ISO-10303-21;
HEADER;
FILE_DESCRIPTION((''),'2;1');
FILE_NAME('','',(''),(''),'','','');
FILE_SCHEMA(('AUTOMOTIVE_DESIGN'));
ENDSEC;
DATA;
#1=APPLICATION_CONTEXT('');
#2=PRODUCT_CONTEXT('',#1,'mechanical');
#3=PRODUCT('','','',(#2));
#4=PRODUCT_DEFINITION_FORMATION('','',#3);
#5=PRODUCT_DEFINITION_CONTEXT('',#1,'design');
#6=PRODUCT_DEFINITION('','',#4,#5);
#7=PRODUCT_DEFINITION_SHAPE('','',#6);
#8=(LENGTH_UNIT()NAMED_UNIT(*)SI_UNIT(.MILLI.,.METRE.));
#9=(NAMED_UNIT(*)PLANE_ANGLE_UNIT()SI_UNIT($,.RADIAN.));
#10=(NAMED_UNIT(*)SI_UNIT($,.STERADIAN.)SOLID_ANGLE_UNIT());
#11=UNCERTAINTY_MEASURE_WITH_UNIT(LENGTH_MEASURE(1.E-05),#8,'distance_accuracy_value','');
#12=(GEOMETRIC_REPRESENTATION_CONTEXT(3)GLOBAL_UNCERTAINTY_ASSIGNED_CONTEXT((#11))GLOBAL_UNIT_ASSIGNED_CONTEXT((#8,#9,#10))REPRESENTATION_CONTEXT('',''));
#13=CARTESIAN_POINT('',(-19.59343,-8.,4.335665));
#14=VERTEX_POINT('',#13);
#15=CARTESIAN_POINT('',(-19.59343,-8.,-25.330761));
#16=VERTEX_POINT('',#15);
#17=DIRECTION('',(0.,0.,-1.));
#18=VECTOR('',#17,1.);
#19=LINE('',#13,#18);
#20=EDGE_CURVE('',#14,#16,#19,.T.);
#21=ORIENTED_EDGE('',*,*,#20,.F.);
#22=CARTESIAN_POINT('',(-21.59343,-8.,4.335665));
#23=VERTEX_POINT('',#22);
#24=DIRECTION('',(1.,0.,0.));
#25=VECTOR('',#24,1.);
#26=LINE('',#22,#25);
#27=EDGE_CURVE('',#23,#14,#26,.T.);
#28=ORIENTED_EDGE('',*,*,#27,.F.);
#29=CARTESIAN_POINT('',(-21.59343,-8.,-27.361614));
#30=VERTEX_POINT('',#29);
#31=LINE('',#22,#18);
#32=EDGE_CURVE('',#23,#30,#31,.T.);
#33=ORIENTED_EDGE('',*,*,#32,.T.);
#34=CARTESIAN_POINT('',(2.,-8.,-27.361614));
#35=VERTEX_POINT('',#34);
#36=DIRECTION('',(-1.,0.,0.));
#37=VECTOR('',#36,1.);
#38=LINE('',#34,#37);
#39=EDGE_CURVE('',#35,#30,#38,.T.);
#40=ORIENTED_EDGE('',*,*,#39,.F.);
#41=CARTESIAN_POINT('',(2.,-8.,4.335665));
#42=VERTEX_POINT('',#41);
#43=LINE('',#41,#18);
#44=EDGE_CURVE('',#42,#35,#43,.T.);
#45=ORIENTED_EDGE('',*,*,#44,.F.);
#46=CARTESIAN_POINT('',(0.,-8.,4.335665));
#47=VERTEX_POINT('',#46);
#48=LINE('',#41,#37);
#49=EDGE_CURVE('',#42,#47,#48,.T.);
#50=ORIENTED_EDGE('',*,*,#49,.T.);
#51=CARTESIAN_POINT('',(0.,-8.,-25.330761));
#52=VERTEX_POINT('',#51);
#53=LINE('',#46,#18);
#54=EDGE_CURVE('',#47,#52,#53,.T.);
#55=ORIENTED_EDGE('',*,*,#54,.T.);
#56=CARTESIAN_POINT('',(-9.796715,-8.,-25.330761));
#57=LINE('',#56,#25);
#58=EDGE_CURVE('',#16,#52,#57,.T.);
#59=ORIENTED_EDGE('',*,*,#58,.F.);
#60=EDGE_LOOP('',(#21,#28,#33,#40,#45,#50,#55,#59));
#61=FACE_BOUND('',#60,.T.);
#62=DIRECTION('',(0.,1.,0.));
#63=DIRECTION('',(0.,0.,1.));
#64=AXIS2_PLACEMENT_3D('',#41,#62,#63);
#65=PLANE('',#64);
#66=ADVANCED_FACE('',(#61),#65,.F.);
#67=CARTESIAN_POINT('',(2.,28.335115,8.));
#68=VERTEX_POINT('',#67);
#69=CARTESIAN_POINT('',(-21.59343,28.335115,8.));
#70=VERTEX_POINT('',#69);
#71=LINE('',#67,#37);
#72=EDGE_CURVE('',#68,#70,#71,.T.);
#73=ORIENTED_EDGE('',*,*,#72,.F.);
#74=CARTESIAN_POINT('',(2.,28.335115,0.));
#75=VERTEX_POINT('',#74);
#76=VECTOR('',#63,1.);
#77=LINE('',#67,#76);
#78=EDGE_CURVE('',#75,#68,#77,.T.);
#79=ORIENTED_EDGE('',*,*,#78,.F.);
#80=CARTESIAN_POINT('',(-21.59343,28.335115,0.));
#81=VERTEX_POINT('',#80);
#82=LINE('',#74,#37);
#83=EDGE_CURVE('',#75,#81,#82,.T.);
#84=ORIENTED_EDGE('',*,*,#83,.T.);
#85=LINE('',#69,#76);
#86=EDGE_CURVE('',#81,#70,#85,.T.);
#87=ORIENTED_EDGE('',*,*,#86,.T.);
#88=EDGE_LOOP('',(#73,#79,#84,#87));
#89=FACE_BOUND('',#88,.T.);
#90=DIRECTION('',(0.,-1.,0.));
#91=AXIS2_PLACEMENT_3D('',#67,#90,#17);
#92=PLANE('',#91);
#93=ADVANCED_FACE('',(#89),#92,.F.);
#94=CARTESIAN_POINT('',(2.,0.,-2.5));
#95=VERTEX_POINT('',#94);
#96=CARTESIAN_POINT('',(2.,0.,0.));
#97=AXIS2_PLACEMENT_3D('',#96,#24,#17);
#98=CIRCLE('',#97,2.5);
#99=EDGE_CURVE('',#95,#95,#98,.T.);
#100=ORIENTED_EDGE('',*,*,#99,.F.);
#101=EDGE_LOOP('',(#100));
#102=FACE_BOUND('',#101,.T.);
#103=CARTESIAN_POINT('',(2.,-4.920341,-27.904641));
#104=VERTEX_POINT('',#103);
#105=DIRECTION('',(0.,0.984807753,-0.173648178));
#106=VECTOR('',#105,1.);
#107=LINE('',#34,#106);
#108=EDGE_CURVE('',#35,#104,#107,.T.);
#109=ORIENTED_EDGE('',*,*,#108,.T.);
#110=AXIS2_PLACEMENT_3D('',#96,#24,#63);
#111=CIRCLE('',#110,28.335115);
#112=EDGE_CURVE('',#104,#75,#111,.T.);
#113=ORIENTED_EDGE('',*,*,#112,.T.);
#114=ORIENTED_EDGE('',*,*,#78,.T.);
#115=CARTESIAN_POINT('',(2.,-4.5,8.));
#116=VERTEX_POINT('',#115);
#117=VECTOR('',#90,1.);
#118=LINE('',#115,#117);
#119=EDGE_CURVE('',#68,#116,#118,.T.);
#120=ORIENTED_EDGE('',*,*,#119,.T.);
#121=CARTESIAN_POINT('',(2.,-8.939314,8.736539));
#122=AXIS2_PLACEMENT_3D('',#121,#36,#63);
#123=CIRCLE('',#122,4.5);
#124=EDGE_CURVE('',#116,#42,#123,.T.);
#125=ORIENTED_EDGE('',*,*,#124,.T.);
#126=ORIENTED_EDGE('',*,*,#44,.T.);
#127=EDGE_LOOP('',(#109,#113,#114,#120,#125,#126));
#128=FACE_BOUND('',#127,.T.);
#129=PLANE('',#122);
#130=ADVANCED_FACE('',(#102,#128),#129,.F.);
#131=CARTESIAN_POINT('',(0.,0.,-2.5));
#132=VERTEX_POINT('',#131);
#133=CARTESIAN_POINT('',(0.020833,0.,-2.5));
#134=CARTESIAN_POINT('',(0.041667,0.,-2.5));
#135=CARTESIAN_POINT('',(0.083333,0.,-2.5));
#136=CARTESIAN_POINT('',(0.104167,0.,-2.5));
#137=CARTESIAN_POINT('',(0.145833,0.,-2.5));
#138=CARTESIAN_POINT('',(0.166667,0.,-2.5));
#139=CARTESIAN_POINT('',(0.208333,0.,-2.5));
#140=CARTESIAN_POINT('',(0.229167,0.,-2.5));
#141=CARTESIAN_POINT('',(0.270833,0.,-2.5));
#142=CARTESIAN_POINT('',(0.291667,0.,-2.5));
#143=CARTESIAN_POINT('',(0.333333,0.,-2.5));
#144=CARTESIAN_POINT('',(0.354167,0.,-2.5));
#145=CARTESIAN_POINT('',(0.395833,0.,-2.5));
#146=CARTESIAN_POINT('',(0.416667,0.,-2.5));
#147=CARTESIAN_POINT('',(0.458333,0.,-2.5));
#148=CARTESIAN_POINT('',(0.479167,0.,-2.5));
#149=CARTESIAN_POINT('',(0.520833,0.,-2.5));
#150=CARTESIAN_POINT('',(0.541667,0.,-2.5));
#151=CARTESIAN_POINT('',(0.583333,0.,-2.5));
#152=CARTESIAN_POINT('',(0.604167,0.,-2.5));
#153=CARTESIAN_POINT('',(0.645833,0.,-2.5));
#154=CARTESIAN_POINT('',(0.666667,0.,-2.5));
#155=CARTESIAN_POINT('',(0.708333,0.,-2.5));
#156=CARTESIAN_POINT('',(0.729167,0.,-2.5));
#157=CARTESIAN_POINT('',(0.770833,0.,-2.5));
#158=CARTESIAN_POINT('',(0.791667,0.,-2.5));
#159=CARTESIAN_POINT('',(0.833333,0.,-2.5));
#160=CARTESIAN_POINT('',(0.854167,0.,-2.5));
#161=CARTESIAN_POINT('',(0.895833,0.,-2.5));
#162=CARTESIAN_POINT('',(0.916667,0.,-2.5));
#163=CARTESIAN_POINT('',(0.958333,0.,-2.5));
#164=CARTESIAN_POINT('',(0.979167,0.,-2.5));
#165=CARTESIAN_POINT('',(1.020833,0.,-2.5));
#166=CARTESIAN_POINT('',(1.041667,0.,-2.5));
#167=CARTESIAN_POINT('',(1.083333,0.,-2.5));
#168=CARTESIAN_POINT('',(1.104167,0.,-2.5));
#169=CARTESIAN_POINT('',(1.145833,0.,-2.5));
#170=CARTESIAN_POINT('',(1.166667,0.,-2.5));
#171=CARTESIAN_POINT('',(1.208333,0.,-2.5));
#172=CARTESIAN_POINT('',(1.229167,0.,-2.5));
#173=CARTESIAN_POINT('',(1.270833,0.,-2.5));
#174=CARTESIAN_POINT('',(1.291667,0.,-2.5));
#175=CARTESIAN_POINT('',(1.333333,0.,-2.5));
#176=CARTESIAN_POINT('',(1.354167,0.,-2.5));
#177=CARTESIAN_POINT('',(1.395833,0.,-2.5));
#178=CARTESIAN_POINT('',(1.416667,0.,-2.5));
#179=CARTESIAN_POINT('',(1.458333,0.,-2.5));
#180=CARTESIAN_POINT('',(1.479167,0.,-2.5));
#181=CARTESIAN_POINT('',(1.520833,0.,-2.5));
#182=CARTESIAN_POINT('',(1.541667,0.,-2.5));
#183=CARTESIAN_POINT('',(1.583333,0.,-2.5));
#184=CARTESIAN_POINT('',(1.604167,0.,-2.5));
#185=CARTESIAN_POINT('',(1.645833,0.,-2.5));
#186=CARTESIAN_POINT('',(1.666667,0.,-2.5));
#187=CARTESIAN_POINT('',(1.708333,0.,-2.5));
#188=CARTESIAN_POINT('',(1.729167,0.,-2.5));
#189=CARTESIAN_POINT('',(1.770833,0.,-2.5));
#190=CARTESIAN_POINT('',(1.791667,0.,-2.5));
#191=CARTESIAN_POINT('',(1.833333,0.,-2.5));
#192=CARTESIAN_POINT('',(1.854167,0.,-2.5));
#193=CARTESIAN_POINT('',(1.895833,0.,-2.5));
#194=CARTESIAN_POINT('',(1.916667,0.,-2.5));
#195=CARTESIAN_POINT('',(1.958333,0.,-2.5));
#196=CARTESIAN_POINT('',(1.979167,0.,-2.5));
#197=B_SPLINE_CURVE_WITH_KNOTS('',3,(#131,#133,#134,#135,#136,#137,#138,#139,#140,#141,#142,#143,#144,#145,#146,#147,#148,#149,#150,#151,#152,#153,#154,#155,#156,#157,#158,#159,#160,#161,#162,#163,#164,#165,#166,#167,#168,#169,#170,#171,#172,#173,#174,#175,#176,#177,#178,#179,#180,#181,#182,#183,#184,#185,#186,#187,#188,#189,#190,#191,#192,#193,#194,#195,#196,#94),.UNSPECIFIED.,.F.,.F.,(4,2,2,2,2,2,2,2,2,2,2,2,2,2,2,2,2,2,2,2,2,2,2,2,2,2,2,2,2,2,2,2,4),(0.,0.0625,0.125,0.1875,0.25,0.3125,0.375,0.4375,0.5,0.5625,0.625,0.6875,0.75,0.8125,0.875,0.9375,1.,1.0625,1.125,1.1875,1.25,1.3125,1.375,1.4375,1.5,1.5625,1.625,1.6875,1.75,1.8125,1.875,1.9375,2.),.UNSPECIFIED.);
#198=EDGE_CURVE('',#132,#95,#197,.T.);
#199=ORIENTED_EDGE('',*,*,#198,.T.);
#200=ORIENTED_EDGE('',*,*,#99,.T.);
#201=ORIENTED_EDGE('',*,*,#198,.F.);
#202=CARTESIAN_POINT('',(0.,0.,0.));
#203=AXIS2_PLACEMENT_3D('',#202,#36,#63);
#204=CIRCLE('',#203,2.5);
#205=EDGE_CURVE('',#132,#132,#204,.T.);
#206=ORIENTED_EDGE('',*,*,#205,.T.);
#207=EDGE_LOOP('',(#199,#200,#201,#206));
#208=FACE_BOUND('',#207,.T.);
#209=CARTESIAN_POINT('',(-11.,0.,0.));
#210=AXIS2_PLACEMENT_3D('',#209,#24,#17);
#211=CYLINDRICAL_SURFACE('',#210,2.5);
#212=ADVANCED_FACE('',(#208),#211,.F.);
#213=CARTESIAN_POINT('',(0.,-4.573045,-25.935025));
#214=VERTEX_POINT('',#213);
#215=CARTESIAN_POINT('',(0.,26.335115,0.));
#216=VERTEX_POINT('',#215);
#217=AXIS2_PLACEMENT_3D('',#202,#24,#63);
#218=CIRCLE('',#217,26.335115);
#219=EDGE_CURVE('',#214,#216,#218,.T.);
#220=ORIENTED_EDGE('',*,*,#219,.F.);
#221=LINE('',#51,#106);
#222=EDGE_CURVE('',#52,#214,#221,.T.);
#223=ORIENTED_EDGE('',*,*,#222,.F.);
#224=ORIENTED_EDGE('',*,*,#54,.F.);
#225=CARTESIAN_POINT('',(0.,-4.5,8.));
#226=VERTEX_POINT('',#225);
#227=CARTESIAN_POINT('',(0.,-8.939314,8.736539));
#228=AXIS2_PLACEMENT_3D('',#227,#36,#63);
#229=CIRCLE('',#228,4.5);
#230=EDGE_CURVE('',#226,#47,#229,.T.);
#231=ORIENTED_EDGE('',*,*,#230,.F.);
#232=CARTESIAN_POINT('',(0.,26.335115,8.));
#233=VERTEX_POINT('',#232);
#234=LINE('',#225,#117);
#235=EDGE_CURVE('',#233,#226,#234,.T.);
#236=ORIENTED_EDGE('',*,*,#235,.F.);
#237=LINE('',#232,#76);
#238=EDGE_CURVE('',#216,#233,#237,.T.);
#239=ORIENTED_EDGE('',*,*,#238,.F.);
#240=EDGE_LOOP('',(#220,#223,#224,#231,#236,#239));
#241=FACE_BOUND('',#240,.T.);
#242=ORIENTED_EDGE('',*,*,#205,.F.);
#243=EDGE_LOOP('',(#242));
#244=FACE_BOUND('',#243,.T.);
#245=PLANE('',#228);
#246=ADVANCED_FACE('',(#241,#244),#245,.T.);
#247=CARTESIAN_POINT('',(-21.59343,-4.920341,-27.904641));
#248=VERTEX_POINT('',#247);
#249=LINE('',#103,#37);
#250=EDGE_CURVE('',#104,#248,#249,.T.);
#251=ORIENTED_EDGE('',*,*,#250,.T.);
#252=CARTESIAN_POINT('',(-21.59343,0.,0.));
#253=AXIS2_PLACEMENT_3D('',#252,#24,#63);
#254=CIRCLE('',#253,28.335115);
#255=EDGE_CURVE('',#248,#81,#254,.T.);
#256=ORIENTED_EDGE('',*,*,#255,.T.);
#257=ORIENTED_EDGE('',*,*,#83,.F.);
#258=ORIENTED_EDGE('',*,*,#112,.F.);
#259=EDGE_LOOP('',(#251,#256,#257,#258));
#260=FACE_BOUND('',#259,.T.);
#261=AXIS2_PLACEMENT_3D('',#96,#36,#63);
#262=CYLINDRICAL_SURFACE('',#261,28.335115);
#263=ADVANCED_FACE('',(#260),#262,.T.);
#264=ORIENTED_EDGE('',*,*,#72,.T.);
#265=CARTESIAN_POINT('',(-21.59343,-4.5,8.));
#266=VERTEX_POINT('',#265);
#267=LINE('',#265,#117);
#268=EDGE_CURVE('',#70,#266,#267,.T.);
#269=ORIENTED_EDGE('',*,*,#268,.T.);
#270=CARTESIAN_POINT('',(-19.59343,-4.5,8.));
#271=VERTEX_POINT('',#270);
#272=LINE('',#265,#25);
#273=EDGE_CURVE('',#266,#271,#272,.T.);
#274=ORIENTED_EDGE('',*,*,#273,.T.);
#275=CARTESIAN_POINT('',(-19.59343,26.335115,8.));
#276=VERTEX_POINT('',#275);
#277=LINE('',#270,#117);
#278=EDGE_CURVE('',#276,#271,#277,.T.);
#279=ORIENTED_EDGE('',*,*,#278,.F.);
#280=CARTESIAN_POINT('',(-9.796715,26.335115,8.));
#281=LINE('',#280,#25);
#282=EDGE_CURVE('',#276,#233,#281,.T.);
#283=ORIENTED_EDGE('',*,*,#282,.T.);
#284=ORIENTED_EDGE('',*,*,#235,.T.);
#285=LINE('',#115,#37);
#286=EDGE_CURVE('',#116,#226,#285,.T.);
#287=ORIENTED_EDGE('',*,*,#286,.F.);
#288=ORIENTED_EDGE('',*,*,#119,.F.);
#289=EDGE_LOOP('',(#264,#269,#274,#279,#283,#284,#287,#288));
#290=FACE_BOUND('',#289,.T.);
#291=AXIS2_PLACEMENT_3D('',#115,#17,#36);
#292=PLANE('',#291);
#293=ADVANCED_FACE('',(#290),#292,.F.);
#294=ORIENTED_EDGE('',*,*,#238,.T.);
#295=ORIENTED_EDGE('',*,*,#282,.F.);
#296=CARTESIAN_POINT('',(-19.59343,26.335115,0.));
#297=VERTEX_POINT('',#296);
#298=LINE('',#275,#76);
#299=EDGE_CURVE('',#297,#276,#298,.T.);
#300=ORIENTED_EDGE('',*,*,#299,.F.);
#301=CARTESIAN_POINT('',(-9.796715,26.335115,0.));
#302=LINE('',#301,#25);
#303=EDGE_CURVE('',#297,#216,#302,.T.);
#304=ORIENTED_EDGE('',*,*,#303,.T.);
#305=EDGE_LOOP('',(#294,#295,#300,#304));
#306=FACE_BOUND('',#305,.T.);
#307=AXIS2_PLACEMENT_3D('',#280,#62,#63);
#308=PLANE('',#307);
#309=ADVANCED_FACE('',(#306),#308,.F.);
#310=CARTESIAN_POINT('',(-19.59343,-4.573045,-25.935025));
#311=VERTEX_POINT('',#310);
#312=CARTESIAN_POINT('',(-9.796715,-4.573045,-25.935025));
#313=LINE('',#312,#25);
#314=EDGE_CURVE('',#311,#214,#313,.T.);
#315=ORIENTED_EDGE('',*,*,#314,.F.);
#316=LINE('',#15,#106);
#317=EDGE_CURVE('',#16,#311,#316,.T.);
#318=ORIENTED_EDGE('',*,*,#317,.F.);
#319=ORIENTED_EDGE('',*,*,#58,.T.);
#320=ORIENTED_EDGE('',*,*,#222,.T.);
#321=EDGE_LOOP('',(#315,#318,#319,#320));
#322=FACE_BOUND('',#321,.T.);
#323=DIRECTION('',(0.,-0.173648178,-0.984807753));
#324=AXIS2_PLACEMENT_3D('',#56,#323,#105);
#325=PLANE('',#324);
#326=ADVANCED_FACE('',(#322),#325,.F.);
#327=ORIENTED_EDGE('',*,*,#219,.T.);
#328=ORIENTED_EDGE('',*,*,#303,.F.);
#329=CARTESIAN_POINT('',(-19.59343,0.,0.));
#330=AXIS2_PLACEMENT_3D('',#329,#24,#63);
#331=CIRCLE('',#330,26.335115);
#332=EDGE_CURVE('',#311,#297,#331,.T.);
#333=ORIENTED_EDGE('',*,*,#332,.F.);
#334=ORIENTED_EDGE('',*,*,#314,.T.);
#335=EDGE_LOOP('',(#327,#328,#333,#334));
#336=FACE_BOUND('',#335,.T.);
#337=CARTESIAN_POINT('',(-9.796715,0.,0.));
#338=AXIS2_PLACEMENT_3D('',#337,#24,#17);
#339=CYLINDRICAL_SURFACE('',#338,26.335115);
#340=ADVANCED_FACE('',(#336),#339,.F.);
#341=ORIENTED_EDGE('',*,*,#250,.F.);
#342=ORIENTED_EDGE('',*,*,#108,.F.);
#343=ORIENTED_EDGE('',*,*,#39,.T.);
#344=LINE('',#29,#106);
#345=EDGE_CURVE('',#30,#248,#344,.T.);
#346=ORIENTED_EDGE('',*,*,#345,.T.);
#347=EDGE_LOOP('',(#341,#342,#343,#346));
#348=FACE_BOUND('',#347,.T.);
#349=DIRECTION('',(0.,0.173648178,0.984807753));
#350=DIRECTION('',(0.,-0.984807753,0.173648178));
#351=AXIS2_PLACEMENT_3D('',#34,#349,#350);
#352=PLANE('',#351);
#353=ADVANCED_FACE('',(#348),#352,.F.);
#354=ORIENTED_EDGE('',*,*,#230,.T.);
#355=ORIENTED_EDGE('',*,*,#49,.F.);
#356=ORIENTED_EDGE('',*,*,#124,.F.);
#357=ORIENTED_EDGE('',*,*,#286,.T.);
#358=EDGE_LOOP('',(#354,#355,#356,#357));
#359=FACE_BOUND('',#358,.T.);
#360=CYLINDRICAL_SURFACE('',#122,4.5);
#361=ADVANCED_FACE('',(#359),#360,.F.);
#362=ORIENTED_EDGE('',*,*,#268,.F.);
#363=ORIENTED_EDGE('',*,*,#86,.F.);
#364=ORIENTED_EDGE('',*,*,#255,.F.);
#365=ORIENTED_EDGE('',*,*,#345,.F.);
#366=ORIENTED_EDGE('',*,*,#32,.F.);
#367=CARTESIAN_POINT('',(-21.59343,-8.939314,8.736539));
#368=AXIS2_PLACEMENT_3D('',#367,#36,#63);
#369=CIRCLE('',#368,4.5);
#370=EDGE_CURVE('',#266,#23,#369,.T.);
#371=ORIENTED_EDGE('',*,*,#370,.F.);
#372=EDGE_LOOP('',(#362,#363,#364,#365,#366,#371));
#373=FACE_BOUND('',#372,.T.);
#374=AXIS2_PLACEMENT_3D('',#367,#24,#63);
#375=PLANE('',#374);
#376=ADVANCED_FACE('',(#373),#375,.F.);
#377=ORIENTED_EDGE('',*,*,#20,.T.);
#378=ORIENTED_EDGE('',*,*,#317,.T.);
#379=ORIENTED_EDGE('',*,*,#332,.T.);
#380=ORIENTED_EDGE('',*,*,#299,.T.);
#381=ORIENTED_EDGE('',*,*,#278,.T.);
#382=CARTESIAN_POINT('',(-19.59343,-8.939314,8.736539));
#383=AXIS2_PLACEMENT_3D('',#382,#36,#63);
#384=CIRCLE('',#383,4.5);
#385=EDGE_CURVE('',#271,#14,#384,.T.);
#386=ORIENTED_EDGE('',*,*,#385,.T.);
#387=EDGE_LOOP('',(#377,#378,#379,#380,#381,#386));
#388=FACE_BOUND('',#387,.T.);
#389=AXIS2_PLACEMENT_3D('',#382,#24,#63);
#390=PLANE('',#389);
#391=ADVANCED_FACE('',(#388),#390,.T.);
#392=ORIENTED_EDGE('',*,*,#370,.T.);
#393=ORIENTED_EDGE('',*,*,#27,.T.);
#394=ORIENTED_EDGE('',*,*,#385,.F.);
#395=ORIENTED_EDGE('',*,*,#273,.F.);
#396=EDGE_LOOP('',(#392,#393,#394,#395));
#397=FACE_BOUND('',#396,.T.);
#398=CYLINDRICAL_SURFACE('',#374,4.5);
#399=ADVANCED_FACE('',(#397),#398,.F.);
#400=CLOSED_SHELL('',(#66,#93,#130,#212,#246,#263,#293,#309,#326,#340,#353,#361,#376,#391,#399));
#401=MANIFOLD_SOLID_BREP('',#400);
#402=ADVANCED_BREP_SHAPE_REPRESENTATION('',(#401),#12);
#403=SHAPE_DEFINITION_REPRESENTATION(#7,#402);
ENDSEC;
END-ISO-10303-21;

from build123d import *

# Parameters (mm, degrees)
BOSS_EXTRUDE1_DEPTH = 2
BOSS_EXTRUDE2_START = 9.79671523
BOSS_EXTRUDE2_DEPTH = 9.79671523
SKETCH4_R           = 2.5
CUT_EXTRUDE5_DEPTH  = 13


with BuildPart() as part:
    # Sketch1 → Boss-Extrude1 (new body)
    with BuildSketch(Plane(origin=(0, 0, 0), x_dir=(0, 0, -1), z_dir=(1, 0, 0))):
        with BuildLine():
            Line((-8, -4.5), (-8, 28.33511482))
            Line((-8, 28.33511482), (0, 28.33511482))
            ThreePointArc((0, 28.33511482), (21.705957253, 18.213460725), (27.904640757, -4.920341052))
            Line((27.904640757, -4.920341052), (27.361613793, -8))
            Line((27.361613793, -8), (-4.335665421, -8))
            ThreePointArc((-4.335665421, -8), (-5.628363986, -5.685201742), (-8, -4.5))
        make_face()
    extrude(amount=BOSS_EXTRUDE1_DEPTH)

    # Sketch6 → Boss-Extrude2 (add)
    with BuildSketch(Plane.ZY.offset(BOSS_EXTRUDE2_START)):
        with BuildLine():
            Line((8, 26.33511482), (0, 26.33511482))
            ThreePointArc((0, 26.33511482), (-20.173868367, 16.927885506), (-25.935025251, -4.573044697))
            Line((-25.935025251, -4.573044697), (-25.33076057, -8))
            Line((-25.33076057, -8), (-27.361613793, -8))
            Line((-27.361613793, -8), (-27.904640757, -4.920341052))
            ThreePointArc((-27.904640757, -4.920341052), (-21.705957253, 18.213460725), (0, 28.33511482))
            Line((0, 28.33511482), (8, 28.33511482))
            Line((8, 28.33511482), (8, 26.33511482))
        make_face()
    extrude(amount=-BOSS_EXTRUDE2_DEPTH)

    # Mirror1: part across plane


with BuildPart() as part_1:
    add(part.part)
    add(part.part.mirror(Plane.ZY.offset(9.79671523)))

    # Sketch4 → Cut-Extrude5 (cut)
    with BuildSketch(Plane(origin=(2, 0, 0), x_dir=(0, 0, -1), z_dir=(1, 0, 0))):
        Circle(SKETCH4_R)
    extrude(amount=-CUT_EXTRUDE5_DEPTH, mode=Mode.SUBTRACT)


solid = part_1.part
